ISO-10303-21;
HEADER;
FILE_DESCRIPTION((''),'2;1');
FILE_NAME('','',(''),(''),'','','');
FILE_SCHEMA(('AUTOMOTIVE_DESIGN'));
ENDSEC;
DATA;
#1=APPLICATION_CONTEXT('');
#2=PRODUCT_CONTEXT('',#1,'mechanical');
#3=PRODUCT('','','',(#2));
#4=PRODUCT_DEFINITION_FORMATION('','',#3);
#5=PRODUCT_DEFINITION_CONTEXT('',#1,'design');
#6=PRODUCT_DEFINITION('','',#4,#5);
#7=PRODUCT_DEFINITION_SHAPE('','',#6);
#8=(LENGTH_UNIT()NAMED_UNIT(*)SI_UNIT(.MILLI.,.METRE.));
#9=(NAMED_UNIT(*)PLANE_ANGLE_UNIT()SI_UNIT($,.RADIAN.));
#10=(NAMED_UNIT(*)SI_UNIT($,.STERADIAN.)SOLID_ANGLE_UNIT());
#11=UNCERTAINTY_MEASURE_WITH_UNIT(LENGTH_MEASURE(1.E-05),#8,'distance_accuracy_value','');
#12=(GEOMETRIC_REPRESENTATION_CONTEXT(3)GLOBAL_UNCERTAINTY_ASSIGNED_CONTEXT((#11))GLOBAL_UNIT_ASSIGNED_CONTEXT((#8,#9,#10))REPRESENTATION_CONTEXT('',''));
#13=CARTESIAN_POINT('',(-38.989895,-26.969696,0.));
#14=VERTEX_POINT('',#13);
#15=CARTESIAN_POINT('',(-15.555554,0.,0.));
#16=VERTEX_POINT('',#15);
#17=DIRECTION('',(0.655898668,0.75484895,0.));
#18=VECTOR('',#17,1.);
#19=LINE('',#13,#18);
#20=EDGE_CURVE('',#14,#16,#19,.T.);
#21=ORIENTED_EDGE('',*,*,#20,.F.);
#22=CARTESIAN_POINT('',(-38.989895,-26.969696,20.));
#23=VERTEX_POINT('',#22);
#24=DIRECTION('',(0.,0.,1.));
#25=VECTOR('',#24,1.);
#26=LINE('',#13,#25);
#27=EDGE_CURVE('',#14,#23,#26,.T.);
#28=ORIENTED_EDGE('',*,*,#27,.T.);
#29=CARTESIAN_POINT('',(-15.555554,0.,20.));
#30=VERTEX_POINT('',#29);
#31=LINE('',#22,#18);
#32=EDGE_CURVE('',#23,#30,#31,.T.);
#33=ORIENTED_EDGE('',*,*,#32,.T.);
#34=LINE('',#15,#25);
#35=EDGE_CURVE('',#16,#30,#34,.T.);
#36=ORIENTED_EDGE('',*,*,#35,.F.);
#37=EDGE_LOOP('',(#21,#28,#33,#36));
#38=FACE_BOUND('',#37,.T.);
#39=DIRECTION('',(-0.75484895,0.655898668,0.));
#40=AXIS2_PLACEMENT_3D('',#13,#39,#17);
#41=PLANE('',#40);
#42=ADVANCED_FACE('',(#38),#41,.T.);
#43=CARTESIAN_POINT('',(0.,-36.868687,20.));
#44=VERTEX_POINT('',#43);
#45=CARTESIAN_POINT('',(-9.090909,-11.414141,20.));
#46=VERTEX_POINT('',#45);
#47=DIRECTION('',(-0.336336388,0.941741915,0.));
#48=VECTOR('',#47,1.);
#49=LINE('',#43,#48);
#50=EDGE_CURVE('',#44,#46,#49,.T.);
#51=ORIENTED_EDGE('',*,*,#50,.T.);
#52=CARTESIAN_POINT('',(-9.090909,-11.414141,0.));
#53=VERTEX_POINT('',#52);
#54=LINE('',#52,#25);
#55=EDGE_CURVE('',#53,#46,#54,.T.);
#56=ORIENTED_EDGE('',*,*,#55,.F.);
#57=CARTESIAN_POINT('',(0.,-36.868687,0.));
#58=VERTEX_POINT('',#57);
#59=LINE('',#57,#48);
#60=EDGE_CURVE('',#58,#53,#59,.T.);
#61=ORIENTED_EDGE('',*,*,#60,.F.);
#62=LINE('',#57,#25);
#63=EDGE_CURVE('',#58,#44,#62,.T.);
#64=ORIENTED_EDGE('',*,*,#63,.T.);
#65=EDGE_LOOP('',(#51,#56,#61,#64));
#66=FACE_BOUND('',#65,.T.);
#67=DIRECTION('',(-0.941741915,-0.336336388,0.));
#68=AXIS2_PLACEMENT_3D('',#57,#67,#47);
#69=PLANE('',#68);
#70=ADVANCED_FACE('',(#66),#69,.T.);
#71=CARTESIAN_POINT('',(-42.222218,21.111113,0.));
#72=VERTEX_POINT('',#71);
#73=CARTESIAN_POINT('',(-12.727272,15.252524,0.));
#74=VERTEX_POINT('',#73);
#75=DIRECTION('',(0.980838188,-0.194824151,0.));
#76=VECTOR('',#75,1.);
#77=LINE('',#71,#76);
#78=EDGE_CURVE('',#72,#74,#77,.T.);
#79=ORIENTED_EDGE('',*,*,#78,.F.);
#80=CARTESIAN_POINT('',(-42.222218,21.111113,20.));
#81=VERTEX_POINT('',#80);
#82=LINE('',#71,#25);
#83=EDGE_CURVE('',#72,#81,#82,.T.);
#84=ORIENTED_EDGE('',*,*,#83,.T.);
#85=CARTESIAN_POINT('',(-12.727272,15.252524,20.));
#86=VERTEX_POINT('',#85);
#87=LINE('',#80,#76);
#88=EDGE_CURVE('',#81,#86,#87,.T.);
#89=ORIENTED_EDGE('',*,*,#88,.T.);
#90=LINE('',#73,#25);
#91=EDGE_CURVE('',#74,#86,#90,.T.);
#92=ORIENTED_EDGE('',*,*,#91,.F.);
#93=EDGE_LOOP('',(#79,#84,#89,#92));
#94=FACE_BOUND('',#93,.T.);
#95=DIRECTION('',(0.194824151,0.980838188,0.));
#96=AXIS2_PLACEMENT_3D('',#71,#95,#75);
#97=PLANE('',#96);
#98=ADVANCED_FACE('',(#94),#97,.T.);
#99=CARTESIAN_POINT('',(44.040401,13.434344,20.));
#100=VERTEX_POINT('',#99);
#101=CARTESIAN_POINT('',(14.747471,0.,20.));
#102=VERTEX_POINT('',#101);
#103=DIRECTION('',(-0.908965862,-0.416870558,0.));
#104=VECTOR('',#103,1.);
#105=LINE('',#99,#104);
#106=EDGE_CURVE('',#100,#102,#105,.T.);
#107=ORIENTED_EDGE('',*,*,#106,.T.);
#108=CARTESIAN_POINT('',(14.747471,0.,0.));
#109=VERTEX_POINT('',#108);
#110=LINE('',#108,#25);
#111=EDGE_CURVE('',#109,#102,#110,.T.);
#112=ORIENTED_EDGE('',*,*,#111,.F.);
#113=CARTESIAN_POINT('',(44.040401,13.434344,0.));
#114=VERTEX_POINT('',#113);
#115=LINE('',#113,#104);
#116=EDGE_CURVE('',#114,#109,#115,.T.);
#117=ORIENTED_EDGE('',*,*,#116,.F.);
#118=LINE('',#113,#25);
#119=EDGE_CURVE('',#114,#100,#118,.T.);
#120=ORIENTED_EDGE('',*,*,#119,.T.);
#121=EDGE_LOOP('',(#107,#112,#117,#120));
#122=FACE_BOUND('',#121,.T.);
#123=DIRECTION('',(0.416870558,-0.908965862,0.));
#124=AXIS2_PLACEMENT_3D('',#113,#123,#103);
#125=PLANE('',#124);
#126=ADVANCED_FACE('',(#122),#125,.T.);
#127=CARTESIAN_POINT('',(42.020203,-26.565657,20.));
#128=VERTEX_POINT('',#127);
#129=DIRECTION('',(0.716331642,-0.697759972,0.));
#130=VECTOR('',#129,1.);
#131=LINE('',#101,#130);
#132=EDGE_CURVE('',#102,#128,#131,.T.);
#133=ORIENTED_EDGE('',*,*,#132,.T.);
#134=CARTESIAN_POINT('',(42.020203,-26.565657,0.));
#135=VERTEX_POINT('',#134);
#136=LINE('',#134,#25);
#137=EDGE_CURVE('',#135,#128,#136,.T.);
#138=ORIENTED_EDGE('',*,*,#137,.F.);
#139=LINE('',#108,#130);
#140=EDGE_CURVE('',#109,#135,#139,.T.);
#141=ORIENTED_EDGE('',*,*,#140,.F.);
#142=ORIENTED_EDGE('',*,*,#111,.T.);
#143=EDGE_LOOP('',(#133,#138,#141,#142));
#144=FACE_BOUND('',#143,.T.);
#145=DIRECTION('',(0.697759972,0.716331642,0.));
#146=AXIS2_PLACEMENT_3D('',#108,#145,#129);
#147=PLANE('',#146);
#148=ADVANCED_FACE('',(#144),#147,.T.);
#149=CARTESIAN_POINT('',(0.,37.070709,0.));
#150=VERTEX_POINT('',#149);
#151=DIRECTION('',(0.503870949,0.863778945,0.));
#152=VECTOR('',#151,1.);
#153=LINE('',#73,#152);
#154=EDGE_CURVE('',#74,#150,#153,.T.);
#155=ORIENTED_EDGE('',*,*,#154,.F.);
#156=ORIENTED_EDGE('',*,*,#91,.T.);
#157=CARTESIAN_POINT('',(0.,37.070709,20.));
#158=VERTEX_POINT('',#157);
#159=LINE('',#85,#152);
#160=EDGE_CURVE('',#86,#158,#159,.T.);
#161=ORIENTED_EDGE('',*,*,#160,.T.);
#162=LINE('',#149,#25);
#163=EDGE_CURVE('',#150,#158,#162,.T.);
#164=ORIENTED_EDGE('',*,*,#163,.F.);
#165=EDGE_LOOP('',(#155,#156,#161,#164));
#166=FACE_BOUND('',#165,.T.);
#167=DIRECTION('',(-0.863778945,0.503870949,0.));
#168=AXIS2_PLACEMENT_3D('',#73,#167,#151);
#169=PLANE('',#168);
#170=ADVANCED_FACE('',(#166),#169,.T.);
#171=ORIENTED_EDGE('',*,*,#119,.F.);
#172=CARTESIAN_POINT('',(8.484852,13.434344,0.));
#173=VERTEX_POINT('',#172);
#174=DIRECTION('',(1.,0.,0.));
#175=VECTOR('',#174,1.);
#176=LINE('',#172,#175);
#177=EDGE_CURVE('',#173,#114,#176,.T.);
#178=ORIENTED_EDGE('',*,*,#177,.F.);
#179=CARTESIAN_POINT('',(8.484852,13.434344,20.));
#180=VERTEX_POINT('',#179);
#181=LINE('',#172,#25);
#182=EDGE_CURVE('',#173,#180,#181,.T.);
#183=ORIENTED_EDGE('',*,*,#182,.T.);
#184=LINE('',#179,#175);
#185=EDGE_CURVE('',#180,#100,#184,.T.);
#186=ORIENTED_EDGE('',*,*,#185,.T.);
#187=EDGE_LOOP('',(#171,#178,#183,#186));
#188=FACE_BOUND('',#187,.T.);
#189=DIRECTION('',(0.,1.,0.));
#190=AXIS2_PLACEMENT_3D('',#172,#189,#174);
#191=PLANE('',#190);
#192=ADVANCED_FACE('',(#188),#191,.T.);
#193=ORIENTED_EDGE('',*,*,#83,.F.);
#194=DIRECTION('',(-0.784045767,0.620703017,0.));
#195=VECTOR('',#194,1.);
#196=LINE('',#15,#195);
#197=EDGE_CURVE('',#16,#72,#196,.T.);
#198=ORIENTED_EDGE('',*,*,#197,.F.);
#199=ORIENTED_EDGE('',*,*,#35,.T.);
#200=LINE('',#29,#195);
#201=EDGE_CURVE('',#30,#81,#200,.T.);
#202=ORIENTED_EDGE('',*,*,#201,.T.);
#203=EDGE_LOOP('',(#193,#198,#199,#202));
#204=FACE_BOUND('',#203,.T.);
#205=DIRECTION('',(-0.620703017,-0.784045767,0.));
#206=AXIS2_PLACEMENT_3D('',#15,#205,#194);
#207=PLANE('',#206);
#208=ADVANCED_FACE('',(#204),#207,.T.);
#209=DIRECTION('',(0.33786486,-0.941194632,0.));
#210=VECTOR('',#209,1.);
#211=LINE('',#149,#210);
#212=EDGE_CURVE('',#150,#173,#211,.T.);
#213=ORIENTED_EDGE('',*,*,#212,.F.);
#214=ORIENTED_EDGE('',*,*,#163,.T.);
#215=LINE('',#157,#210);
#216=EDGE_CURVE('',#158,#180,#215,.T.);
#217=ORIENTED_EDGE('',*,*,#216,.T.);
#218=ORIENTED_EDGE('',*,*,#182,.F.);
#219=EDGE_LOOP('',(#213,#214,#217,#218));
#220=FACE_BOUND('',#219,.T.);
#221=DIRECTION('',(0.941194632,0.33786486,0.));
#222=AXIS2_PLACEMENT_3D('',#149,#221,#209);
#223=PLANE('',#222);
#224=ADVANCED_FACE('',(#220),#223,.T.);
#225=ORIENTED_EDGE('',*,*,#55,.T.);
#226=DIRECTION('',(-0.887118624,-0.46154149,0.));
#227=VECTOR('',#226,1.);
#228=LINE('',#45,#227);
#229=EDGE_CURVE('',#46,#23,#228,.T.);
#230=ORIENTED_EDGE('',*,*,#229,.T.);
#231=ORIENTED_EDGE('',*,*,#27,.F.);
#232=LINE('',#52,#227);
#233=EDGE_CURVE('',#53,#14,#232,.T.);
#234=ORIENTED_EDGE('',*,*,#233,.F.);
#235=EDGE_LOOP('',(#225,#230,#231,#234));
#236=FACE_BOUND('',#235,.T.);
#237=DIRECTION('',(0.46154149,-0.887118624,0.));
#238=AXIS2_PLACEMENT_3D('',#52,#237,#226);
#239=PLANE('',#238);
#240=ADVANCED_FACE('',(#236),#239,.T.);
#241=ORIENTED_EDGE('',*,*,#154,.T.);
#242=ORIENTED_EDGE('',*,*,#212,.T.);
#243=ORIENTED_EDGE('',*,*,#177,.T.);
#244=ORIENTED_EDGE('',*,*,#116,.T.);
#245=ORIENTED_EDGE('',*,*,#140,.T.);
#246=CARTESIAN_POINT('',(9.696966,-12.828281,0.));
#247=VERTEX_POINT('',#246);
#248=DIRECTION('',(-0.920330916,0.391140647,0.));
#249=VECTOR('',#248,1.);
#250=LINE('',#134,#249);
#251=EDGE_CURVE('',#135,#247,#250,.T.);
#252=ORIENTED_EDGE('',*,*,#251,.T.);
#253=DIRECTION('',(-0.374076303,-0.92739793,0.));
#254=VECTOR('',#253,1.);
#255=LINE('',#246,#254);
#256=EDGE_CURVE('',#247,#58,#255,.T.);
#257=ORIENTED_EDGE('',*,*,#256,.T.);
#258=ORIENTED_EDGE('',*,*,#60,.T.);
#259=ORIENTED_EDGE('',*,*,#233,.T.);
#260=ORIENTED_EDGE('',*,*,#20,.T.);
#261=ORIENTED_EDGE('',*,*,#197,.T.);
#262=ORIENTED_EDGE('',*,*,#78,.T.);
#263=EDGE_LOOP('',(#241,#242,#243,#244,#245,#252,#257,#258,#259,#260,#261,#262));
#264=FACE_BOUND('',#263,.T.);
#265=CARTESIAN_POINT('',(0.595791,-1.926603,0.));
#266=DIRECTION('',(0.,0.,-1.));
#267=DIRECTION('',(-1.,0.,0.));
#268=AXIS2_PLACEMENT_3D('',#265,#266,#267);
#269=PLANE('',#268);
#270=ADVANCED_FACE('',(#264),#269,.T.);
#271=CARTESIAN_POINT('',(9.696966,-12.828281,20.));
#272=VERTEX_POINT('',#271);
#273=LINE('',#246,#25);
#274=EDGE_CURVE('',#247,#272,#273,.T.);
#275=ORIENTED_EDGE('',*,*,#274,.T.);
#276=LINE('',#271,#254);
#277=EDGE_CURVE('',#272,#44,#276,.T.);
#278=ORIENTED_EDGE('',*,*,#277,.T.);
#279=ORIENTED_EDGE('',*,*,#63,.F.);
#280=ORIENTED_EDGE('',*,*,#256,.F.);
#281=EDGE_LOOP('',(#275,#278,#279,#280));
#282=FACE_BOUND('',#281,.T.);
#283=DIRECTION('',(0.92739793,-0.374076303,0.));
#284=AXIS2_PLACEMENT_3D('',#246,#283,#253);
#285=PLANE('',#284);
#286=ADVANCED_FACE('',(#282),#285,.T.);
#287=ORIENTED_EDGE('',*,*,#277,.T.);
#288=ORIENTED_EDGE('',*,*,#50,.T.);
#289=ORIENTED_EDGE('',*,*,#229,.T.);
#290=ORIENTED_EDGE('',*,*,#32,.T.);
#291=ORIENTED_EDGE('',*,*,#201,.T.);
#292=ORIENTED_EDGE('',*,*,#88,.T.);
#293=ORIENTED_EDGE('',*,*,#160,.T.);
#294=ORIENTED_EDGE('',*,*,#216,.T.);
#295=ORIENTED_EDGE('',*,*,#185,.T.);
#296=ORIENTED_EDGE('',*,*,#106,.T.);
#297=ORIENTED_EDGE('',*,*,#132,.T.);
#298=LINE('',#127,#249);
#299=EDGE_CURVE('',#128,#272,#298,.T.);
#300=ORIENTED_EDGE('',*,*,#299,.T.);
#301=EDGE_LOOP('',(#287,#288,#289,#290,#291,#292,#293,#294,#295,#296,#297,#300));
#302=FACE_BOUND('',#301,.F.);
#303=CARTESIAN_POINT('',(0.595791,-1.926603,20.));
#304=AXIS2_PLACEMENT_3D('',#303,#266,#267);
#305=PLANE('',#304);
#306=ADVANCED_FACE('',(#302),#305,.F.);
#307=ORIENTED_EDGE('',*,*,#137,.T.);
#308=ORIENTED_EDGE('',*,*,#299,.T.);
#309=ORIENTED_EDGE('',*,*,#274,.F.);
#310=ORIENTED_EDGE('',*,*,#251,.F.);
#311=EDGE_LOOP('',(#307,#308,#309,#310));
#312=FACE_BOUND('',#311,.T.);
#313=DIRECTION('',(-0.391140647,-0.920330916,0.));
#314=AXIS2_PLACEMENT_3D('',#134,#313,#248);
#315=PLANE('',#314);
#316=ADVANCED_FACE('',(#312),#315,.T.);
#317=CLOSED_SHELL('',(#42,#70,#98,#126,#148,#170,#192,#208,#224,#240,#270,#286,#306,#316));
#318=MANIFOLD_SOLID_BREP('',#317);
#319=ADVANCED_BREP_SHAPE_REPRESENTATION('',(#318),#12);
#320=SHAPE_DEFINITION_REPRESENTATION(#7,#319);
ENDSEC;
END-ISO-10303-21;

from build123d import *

# Parameters (mm, degrees)
PAD_DEPTH = 20


with BuildPart() as part:
    # Sketch → Pad (new body)
    with BuildSketch(Plane.XY):
        Polygon((0, 37.070709), (8.484852, 13.434344), (44.040401, 13.434344), (14.747471, 0), (42.020203, -26.565657), (9.696966, -12.828281), (0, -36.868687), (-9.090909, -11.414141), (-38.989895, -26.969696), (-15.555554, 0), (-42.222218, 21.111113), (-12.727272, 15.252524), align=None)
    extrude(amount=PAD_DEPTH)


solid = part.part
